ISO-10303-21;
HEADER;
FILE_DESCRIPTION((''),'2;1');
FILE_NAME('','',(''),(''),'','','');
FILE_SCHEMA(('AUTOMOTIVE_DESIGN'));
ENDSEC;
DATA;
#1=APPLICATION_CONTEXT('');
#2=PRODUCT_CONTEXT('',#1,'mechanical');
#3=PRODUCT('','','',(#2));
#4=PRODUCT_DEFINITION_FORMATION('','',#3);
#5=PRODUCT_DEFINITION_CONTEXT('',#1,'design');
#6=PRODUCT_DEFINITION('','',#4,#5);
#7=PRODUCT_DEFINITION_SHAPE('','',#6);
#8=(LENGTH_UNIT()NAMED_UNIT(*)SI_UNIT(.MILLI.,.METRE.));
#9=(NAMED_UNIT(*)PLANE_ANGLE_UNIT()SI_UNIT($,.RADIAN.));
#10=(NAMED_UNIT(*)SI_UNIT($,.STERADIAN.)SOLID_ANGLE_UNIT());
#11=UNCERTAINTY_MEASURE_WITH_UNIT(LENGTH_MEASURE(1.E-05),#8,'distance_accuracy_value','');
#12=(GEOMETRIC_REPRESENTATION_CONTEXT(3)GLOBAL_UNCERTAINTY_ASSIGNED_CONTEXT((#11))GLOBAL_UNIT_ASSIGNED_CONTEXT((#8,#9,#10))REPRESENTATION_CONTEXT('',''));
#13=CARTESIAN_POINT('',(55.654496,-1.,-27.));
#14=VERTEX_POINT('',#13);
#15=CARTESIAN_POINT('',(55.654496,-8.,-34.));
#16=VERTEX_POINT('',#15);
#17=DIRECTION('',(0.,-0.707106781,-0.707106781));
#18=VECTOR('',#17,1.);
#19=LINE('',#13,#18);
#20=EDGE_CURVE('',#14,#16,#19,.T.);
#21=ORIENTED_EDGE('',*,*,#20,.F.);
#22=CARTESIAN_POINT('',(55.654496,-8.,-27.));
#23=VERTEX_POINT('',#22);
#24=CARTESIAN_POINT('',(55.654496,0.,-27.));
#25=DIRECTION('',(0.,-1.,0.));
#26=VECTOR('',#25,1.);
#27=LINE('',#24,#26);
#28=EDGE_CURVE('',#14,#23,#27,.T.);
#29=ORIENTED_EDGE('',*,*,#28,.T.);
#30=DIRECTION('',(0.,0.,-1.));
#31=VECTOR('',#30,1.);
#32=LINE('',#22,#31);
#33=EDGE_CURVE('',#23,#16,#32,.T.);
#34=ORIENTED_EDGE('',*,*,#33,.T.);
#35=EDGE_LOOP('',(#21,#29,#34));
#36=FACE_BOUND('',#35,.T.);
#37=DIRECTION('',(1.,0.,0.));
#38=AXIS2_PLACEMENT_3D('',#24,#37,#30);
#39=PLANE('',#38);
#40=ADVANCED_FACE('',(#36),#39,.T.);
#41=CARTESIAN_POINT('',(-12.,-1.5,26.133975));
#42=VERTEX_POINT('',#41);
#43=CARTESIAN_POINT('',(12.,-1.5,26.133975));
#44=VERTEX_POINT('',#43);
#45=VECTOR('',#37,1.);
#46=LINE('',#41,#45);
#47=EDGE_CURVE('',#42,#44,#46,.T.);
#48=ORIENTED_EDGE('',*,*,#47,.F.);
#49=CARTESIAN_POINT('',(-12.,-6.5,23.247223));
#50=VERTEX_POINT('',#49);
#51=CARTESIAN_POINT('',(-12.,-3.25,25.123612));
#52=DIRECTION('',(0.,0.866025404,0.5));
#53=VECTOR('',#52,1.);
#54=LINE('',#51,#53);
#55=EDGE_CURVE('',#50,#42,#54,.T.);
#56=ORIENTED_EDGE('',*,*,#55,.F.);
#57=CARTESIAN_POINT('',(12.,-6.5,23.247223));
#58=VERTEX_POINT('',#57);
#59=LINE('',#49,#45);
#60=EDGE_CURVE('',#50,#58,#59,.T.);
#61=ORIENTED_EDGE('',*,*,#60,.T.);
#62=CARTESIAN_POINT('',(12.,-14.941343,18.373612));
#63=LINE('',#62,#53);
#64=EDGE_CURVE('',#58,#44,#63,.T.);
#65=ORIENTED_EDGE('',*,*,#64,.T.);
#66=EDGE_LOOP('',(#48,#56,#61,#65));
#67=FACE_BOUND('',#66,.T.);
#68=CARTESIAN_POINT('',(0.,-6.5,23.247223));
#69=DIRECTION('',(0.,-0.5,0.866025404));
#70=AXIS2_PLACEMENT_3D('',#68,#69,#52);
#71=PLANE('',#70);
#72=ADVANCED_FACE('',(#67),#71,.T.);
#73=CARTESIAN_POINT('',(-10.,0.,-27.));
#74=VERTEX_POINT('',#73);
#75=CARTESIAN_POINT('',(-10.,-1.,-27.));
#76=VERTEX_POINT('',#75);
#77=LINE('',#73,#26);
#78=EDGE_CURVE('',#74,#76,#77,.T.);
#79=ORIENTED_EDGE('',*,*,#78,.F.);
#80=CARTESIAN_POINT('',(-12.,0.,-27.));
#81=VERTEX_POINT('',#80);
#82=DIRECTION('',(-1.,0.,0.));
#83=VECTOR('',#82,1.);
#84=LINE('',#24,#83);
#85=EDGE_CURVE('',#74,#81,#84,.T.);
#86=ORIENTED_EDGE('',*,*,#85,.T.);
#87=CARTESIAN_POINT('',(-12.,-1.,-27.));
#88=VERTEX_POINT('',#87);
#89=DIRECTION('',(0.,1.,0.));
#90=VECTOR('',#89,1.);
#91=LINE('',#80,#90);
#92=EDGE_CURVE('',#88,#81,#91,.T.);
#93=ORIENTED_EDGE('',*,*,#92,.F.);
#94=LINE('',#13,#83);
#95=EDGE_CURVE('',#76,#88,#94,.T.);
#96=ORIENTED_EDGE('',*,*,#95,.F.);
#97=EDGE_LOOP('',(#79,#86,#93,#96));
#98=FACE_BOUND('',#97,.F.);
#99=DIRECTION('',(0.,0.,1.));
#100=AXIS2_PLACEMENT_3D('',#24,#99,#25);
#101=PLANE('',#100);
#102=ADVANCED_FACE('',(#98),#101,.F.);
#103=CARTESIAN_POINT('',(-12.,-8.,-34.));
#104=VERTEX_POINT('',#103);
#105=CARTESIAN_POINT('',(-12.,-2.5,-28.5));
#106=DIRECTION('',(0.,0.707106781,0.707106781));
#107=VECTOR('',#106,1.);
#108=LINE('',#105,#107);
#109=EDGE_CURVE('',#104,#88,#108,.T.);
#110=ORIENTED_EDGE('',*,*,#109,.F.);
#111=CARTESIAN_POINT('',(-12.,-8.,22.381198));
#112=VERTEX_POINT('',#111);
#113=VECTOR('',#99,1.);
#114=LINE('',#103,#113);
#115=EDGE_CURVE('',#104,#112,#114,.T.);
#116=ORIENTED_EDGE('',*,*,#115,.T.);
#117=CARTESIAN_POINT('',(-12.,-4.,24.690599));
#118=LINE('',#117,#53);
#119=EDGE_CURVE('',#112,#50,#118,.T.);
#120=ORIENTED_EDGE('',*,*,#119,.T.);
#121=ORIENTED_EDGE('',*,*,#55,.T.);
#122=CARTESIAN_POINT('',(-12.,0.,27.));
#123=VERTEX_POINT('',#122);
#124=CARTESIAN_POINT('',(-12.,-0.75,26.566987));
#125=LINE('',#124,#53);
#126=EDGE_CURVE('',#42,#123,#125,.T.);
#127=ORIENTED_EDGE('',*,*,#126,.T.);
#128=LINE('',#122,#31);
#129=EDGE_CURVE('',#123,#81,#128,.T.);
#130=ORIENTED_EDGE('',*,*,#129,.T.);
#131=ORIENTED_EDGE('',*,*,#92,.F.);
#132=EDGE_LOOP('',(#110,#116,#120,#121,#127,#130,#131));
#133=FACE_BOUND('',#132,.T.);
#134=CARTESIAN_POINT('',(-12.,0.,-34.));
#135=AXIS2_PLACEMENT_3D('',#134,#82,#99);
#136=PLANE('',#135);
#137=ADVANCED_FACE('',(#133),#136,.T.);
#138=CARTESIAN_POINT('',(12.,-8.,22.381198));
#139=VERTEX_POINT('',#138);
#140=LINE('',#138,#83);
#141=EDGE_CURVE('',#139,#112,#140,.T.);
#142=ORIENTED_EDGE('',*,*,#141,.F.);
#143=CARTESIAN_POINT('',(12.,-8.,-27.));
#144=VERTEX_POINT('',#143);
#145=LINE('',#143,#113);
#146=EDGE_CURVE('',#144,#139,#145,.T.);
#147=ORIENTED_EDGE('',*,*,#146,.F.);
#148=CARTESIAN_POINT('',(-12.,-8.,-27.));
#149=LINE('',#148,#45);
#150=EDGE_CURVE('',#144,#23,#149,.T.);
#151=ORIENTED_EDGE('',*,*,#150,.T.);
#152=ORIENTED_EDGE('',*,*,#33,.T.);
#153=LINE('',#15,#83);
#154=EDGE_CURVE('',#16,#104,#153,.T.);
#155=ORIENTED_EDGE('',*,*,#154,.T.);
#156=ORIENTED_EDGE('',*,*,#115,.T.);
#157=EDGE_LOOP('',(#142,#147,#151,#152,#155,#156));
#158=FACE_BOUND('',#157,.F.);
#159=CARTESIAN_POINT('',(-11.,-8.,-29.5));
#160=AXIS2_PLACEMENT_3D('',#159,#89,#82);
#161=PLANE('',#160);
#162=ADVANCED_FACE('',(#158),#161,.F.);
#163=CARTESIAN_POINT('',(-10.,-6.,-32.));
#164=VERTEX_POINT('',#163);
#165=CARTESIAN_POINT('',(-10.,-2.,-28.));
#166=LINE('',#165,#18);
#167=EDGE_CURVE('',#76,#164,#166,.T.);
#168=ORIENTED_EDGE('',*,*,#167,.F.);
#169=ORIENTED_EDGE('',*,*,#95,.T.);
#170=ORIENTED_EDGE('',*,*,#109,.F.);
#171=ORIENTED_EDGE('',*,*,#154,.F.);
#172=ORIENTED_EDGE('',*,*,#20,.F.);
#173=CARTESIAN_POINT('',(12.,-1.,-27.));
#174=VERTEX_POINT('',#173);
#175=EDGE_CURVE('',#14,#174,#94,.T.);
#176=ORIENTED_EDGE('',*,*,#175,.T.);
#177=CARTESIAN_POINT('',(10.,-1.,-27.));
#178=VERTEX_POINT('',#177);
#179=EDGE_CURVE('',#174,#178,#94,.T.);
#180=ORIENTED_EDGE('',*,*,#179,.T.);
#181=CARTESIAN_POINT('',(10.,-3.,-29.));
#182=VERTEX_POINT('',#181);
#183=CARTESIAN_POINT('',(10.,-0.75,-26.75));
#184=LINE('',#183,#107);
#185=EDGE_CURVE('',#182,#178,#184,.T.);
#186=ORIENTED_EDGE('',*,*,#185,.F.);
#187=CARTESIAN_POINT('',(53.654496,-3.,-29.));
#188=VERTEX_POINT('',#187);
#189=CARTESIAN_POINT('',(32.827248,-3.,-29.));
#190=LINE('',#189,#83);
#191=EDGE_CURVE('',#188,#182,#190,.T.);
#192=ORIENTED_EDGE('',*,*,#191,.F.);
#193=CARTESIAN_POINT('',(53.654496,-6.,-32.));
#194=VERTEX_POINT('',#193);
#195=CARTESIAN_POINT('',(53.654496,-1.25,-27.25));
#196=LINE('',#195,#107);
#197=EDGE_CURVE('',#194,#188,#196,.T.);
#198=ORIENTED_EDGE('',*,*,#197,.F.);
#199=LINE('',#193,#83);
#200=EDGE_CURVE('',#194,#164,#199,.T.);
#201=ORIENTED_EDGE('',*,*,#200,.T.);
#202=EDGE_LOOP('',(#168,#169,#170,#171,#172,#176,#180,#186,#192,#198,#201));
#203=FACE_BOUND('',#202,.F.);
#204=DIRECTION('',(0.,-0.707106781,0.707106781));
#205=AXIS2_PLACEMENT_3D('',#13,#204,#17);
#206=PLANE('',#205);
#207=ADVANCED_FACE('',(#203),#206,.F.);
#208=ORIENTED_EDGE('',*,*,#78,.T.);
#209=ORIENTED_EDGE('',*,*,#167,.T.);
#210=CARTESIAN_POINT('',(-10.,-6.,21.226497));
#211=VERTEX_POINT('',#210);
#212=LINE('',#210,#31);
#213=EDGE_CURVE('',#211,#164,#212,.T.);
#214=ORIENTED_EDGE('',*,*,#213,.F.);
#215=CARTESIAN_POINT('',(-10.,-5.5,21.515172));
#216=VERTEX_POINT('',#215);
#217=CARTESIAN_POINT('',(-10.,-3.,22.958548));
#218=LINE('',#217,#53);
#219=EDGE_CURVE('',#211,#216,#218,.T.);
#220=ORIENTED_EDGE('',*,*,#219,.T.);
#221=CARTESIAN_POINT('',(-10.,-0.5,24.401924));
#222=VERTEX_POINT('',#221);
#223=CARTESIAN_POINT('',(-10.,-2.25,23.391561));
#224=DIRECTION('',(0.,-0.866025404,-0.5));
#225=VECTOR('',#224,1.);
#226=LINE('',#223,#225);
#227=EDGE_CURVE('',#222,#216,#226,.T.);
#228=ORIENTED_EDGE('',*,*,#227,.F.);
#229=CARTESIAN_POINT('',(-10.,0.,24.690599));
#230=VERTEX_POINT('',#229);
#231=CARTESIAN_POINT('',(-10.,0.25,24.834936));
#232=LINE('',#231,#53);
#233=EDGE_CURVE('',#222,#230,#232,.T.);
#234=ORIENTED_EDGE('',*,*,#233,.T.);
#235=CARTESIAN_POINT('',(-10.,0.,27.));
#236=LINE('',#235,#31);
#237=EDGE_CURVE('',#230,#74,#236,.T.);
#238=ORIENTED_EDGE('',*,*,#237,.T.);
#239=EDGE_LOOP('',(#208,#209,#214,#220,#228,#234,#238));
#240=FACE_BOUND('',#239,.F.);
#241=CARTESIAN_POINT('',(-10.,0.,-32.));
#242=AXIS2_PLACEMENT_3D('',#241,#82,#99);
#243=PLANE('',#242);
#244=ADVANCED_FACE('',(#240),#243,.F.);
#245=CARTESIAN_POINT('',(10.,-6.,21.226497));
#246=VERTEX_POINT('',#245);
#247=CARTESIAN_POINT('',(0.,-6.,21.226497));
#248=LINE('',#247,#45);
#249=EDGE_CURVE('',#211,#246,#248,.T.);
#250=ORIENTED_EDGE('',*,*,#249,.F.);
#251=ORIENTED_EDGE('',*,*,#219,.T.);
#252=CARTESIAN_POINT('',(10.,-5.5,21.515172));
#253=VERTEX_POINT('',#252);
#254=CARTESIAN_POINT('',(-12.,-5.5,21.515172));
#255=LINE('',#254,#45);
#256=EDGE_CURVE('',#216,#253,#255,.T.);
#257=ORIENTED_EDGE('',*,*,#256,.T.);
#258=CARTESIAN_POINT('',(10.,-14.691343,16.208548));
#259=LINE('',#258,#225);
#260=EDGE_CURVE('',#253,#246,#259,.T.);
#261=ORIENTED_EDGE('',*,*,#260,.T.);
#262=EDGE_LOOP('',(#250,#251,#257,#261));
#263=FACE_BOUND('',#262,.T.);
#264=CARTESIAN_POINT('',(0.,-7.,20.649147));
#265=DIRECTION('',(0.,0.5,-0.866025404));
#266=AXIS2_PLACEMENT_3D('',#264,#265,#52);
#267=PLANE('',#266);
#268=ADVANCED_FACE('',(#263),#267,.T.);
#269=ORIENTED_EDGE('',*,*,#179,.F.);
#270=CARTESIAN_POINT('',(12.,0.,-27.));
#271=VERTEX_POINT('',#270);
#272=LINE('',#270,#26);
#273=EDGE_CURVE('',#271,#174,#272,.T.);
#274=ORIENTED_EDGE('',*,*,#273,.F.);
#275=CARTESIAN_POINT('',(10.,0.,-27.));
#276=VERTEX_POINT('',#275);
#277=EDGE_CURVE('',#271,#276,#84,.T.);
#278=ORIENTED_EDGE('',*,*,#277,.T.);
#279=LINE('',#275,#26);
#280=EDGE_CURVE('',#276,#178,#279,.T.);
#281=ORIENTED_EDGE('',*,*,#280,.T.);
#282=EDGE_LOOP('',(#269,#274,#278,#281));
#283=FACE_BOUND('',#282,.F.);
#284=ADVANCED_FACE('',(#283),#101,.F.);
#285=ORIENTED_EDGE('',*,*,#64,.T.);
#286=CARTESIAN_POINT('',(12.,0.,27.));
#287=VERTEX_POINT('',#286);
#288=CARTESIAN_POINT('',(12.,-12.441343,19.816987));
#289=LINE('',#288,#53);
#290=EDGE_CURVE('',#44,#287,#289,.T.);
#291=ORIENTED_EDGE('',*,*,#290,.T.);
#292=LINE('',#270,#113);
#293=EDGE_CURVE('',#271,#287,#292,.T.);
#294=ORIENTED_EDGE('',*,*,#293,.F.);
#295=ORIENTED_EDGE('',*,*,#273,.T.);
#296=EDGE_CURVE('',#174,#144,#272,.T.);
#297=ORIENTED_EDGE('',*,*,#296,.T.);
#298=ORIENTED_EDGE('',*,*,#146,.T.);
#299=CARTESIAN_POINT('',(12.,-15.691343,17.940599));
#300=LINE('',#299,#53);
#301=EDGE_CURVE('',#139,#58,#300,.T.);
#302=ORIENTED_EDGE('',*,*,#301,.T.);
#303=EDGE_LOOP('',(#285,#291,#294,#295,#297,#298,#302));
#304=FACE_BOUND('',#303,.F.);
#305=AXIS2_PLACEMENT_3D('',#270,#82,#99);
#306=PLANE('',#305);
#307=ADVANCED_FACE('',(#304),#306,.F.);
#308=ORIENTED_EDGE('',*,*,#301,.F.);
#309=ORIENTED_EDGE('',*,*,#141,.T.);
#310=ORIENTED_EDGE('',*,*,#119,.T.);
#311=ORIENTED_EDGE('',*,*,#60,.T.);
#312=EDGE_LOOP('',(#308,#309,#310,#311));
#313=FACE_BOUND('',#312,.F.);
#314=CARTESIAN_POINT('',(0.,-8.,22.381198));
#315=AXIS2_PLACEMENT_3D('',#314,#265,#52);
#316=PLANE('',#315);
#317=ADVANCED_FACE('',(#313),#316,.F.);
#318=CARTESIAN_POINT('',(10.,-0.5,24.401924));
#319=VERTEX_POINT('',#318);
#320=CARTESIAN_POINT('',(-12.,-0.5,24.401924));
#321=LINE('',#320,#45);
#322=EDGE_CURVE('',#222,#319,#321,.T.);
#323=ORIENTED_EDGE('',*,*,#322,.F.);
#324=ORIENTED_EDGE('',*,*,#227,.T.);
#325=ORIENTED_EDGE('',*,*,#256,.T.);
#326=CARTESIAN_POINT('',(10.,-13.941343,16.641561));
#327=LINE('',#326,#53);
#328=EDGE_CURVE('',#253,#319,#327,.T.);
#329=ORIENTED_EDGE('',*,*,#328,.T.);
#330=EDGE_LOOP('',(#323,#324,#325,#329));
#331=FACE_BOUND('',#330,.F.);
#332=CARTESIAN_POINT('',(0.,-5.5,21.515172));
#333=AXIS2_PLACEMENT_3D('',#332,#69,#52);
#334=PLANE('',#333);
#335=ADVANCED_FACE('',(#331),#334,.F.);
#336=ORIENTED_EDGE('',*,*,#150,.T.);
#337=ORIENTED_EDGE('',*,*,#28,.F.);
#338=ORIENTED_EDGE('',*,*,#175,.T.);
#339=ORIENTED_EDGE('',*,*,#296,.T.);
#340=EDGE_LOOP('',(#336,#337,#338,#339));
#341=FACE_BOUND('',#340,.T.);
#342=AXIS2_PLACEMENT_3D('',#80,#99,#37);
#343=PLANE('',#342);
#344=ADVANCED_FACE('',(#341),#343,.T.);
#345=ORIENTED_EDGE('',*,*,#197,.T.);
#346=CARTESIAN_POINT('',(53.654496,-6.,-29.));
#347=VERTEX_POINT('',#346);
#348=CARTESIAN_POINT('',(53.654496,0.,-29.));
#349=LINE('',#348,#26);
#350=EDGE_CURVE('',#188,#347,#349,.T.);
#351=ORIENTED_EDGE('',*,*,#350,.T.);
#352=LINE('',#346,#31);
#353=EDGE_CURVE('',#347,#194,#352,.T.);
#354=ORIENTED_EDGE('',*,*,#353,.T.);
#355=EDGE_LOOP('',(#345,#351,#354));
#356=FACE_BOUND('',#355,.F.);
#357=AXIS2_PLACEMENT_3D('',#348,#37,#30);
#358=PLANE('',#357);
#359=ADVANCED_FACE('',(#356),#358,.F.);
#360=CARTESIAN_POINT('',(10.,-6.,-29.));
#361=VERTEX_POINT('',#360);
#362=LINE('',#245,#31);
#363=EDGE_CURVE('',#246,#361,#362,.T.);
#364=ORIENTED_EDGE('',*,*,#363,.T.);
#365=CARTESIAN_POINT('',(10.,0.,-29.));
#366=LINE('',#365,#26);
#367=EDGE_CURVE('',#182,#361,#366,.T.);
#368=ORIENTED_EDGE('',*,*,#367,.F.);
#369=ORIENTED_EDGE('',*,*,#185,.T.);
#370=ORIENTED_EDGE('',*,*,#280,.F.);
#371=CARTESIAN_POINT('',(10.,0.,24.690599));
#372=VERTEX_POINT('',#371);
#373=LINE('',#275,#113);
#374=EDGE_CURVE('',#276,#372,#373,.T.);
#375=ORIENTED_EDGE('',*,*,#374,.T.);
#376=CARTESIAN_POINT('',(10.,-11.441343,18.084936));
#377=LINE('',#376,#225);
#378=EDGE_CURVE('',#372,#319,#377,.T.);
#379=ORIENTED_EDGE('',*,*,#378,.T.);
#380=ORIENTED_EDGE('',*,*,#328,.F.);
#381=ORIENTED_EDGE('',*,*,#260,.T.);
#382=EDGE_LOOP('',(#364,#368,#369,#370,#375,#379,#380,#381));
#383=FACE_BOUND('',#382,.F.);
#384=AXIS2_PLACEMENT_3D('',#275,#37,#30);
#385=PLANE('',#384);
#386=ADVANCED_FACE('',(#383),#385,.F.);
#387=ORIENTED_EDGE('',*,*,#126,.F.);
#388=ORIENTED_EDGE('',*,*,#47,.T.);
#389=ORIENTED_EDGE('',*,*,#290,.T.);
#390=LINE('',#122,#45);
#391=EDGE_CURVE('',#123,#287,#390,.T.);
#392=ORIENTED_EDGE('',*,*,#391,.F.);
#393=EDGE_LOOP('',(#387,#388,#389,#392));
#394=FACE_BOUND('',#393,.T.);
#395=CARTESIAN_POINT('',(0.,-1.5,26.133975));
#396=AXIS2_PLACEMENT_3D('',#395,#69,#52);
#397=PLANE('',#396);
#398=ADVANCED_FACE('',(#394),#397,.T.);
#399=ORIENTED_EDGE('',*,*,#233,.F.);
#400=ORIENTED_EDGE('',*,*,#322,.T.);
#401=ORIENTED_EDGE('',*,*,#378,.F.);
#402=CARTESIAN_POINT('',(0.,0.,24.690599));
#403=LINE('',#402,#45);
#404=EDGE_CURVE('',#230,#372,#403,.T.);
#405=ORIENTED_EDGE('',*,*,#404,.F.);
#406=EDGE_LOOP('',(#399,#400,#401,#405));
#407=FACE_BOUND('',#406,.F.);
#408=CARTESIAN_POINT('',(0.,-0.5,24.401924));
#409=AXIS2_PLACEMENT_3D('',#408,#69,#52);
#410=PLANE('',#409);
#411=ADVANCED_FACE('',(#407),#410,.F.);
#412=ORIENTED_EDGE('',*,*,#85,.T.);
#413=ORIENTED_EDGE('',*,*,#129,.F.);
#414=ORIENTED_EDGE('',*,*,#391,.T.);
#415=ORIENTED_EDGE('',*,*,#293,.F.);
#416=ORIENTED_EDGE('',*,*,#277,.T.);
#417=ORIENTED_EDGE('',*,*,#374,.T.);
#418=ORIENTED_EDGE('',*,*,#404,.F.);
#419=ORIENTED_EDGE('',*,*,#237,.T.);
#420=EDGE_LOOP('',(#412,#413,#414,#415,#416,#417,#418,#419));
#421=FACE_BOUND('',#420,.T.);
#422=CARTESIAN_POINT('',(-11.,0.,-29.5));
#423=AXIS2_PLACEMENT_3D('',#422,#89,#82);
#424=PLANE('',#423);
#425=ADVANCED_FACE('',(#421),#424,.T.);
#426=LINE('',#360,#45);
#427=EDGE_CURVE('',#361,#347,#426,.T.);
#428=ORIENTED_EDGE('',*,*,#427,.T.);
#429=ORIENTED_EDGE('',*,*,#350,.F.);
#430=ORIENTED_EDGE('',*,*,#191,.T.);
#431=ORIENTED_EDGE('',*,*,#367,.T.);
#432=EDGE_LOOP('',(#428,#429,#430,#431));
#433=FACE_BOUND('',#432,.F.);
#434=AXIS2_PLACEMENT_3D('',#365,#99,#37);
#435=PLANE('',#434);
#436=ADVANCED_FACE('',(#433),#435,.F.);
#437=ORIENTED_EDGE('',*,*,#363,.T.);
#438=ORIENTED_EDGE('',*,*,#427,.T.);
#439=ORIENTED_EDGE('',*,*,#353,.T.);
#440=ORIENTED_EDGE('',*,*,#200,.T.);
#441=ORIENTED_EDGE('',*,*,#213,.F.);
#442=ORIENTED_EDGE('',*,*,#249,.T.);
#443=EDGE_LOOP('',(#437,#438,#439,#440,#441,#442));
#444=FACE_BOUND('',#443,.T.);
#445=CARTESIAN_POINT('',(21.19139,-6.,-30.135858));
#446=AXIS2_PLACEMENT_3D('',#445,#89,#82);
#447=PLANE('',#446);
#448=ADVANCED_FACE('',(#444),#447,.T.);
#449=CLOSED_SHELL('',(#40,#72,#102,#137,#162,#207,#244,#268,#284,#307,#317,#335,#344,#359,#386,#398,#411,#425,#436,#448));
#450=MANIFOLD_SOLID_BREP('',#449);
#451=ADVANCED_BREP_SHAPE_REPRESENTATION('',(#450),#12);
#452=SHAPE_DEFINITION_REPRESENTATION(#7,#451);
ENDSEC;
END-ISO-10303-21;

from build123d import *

# Parameters (mm, degrees)
F0_W      = 20
F0_H      = 50
F0_H_2    = 2
F1_DEPTH  = 8
F3_DEPTH  = 50
F4_DEPTH  = 25.4
F5_T      = -2
F6_W      = 2
F6_H      = 5
F6_H_2    = 2
F6_W_2    = 20
F6_W_3    = 43.6544959545
F6_H_3    = 1
F6_H_4    = 3
F7_DEPTH  = 8
F9_DEPTH  = 76.2
F10_DEPTH = 6


with BuildPart() as f1:
    # F0 (on Front) → F1 (new body)
    with BuildSketch(Plane.XZ):
        Polygon((12, 27), (-12, 27), (-12, -27), (-10, -27), (-10, -25), (-10, 25), (10, 25), (10, -25), (10, -27), (12, -27), align=None)
        Rectangle(F0_W, F0_H)
        with Locations((0, -26)):
            Rectangle(F0_W, F0_H_2)
    extrude(amount=F1_DEPTH)

    # F2 (on Right) → F3 (cut)
    with BuildSketch(Plane.YZ):
        Polygon((-6.5, 23.2472232503), (-1.5, 26.1339745962), (0, 27), (-8, 27), (-8, 22.3811978465), align=None)
    extrude(amount=-F3_DEPTH, mode=Mode.SUBTRACT)

    # F2 (on Right) → F4 (cut)
    with BuildSketch(Plane.YZ):
        Polygon((-6.5, 23.2472232503), (-1.5, 26.1339745962), (0, 27), (-8, 27), (-8, 22.3811978465), align=None)
    extrude(amount=F4_DEPTH, mode=Mode.SUBTRACT)

    # F5
    f5_openings = [f1.faces().sort_by_distance(p)[0] for p in [
        (0, 0, 0),
        (0, -4, -27),
    ]]
    offset(amount=F5_T, openings=f5_openings)

    # F6 (on face) → F7 (join)
    with BuildSketch(Plane(origin=(0, 0, 0), x_dir=(-1, 0, 0), z_dir=(0, 1, 0))):
        with Locations((11, -29.5)):
            Rectangle(F6_W, F6_H)
        with Locations((11, -33)):
            Rectangle(F6_W, F6_H_2)
        with Locations((0, -33)):
            Rectangle(F6_W_2, F6_H_2)
        with Locations((-31.8272479773, -33)):
            Rectangle(F6_W_3, F6_H_2)
        Polygon((-10, -28), (-10, -27), (-12, -27), (-53.6544959545, -27), (-53.6544959545, -28), align=None)
        with Locations((-54.6544959545, -27.5)):
            Rectangle(F6_W, F6_H_3)
        with Locations((-54.6544959545, -30.5)):
            Rectangle(F6_W, F6_H_4)
        with Locations((-54.6544959545, -33)):
            Rectangle(F6_W, F6_H_2)
        Polygon((10, -32), (10, -27), (-10, -27), (-10, -28), (-10, -29), (-53.6544959545, -29), (-53.6544959545, -32), (-10, -32), align=None)
        with Locations((-31.8272479773, -28.5)):
            Rectangle(F6_W_3, F6_H_3)
        with Locations((-54.6544959545, -28.5)):
            Rectangle(F6_W, F6_H_3)
    extrude(amount=-F7_DEPTH)

    # F8 (on face) → F9 (cut)
    with BuildSketch(Plane.YZ.offset(55.6544959545)):
        Polygon((-1, -27), (-8, -34), (0, -34), (0, -27), align=None)
    extrude(amount=-F9_DEPTH, mode=Mode.SUBTRACT)

    # F6 (on face) → F10 (cut)
    with BuildSketch(Plane(origin=(0, 0, 0), x_dir=(-1, 0, 0), z_dir=(0, 1, 0))):
        Polygon((10, -32), (10, -27), (-10, -27), (-10, -28), (-10, -29), (-53.6544959545, -29), (-53.6544959545, -32), (-10, -32), align=None)
    extrude(amount=-F10_DEPTH, mode=Mode.SUBTRACT)


solid = f1.part
